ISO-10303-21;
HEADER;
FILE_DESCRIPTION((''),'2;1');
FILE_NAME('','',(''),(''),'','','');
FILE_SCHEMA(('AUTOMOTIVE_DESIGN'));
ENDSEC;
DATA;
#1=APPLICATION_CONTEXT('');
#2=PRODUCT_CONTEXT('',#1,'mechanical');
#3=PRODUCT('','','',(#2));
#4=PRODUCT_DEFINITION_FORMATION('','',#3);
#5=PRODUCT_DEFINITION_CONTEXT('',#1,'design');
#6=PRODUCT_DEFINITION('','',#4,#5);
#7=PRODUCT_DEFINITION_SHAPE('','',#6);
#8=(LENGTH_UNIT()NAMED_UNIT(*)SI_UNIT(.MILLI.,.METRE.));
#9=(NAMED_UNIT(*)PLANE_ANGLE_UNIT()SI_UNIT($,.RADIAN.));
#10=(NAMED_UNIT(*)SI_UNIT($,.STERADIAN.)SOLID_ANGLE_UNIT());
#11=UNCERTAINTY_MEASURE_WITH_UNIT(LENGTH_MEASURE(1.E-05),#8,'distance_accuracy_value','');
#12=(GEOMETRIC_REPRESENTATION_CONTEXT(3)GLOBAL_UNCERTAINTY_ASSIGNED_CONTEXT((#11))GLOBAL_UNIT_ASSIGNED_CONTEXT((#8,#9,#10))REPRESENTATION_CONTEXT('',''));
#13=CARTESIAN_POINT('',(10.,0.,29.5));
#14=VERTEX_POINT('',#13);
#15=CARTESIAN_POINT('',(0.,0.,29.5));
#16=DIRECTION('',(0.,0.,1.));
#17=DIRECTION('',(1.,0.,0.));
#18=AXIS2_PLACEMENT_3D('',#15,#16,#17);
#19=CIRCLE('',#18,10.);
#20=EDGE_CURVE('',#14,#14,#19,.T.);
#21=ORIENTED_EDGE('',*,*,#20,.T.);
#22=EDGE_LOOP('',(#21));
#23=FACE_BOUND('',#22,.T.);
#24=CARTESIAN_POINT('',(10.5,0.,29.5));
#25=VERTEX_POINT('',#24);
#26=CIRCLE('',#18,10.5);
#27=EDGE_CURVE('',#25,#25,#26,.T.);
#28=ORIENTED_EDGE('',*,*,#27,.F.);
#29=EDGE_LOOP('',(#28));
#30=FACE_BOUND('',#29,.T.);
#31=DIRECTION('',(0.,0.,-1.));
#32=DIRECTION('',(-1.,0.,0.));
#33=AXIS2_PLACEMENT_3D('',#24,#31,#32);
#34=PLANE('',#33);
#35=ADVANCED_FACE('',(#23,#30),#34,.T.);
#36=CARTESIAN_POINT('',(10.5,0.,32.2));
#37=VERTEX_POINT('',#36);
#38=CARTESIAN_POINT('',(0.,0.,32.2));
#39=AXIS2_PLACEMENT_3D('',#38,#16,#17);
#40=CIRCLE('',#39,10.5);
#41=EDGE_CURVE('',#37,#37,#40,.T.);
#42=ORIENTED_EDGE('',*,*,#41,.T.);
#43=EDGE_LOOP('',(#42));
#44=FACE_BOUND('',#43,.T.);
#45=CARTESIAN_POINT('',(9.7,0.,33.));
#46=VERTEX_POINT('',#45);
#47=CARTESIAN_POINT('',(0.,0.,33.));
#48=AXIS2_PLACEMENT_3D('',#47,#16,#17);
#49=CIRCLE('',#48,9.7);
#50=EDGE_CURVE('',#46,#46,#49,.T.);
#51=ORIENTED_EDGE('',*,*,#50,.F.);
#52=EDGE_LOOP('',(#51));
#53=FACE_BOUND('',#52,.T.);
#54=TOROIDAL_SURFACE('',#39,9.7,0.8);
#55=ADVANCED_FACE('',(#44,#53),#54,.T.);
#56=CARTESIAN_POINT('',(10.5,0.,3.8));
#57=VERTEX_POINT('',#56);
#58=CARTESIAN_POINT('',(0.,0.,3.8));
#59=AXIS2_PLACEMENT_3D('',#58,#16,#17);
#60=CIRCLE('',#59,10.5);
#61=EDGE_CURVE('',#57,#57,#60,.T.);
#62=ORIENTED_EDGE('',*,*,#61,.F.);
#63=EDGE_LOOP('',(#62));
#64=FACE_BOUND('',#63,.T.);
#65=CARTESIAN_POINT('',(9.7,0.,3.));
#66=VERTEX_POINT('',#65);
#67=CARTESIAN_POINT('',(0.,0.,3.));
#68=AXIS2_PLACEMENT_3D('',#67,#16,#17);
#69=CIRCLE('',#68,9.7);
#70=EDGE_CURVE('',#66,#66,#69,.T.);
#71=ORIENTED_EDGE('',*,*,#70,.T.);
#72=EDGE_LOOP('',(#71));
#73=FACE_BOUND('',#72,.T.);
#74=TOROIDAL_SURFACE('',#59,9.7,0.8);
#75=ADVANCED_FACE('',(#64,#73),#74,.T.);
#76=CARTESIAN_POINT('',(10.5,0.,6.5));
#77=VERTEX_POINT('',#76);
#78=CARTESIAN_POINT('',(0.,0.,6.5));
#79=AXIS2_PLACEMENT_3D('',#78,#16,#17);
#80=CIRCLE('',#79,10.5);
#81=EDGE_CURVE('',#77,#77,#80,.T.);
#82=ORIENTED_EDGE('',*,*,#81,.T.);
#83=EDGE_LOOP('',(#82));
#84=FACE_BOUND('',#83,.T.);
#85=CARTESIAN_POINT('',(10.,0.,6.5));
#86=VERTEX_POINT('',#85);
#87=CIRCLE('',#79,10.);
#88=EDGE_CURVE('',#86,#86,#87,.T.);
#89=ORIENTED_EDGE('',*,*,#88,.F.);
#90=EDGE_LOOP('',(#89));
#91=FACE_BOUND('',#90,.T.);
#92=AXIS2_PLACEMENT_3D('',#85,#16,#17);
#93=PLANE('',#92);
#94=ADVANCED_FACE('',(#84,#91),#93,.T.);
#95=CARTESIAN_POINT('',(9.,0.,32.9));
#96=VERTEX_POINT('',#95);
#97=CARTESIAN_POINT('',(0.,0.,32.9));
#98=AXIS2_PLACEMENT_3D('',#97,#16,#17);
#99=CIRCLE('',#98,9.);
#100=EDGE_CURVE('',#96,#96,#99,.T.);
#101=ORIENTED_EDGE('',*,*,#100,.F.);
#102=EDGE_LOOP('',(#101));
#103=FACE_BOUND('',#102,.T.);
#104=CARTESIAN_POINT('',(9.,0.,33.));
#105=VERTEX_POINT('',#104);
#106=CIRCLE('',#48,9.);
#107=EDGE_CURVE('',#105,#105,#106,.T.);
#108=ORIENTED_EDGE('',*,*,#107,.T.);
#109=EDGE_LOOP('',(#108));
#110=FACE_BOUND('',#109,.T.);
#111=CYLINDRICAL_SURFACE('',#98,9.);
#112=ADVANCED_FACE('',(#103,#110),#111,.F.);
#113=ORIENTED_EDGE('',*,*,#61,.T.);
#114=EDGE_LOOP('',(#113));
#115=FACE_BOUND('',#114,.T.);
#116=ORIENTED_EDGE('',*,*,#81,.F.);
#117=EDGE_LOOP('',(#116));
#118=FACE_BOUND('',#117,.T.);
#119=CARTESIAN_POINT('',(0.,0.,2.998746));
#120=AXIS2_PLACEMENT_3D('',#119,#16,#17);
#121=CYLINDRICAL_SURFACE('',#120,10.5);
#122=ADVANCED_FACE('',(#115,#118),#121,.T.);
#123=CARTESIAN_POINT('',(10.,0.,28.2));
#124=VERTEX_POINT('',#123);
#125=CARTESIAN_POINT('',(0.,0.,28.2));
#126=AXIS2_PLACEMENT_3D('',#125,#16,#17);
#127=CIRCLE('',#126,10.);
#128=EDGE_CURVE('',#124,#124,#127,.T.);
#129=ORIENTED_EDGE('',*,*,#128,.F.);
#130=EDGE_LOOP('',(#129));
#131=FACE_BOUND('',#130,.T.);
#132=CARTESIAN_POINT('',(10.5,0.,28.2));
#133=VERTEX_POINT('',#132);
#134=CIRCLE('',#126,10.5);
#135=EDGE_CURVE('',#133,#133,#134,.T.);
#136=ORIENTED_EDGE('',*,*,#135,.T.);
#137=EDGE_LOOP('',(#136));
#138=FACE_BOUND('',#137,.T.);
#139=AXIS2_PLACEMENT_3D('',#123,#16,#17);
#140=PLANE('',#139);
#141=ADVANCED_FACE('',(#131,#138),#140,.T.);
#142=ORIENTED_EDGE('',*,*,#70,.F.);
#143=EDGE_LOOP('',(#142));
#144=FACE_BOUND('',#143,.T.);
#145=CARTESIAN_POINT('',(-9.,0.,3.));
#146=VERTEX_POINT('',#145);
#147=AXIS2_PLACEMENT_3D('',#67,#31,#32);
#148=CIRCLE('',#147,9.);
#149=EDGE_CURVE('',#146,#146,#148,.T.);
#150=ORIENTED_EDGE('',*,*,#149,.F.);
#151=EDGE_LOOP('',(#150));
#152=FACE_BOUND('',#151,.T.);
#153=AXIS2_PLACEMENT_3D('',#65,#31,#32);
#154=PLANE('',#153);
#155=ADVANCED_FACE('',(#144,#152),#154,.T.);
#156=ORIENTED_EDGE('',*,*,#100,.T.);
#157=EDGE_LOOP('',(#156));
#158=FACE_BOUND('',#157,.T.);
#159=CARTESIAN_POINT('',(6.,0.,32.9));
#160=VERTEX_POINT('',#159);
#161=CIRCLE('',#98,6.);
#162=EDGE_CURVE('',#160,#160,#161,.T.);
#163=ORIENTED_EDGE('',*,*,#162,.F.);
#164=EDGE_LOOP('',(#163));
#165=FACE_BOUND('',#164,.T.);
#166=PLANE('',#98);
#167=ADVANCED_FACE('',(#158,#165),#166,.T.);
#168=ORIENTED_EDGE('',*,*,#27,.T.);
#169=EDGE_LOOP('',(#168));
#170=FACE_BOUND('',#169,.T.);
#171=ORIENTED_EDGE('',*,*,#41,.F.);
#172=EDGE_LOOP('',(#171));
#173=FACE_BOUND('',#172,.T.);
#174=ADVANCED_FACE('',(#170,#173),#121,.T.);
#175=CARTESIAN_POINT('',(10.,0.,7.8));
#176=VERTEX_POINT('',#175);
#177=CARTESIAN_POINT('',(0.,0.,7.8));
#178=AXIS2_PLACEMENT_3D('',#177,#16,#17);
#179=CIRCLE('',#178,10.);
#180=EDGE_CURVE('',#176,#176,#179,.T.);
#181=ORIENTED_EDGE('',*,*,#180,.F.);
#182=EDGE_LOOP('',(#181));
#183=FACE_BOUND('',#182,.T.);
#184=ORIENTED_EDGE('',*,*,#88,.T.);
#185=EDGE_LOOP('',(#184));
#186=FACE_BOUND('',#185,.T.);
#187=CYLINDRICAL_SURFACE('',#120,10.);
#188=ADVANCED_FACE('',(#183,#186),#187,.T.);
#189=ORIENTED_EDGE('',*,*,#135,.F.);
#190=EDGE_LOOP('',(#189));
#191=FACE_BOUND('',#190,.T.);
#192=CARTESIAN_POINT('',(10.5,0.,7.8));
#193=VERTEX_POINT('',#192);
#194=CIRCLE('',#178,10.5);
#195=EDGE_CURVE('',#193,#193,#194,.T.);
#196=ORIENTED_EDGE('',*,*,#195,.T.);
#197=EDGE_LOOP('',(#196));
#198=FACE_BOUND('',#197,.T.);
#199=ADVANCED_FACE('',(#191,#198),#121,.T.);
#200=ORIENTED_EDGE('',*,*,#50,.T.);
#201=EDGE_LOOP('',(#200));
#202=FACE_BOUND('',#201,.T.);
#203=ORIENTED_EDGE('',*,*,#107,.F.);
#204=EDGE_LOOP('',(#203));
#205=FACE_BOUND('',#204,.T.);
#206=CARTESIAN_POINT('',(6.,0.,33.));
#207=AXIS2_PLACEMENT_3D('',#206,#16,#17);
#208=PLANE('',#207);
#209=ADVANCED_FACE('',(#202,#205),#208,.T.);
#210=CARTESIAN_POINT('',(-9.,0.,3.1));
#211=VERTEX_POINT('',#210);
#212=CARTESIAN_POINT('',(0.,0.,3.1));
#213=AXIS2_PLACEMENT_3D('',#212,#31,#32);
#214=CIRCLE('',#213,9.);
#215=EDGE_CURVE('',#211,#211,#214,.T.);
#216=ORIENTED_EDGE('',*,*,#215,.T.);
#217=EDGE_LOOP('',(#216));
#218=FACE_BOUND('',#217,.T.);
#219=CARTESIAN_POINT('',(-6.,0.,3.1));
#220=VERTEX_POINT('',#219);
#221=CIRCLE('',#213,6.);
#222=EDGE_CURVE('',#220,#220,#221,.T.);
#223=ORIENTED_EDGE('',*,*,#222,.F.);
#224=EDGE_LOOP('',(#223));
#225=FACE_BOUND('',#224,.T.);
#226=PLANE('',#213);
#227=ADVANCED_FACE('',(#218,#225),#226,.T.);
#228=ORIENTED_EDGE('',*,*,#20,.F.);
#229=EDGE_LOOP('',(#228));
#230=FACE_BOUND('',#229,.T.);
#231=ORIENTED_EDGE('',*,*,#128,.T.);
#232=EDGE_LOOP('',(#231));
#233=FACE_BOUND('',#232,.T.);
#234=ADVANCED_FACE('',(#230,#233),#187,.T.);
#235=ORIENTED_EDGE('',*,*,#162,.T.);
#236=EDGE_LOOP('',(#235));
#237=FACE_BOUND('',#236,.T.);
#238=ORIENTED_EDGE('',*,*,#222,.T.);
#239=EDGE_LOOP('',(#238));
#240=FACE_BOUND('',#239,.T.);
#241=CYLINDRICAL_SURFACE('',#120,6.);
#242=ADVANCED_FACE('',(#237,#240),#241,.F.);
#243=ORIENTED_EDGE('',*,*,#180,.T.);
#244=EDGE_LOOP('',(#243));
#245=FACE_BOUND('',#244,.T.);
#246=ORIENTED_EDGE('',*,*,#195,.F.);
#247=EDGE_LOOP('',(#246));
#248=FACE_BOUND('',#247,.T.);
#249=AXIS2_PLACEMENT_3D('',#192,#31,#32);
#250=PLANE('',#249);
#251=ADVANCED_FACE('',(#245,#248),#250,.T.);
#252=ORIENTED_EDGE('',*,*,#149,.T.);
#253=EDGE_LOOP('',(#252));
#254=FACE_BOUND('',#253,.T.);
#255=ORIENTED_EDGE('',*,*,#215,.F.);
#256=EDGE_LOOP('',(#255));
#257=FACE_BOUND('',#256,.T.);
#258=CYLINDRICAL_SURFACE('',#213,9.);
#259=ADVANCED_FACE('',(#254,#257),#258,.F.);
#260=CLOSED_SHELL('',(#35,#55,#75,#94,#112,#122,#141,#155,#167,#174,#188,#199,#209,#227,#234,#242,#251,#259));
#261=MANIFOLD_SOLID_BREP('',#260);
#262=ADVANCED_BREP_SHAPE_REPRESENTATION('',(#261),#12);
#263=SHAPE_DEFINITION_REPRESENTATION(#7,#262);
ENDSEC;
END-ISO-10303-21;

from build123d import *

# Parameters (mm, degrees)
ESBO_O2_R             = 9
CORTE_EXTRUS_O1_DEPTH = 0.1
CORTE_EXTRUS_O2_START = -0.1
ESBO_O3_R             = 9
CORTE_EXTRUS_O2_DEPTH = 0.1


with BuildPart() as part:
    # Esboço1 → Revolução1 (revolve)
    with BuildSketch(Plane(origin=(0, 0, 0), x_dir=(1, 0, 0), z_dir=(0, 1, 0))):
        with BuildLine():
            Line((9.7, -3), (6, -3))
            Line((6, -3), (6, -33))
            Line((6, -33), (9.7, -33))
            ThreePointArc((9.7, -33), (10.265685425, -32.765685425), (10.5, -32.2))
            Line((10.5, -32.2), (10.5, -29.5))
            Line((10.5, -29.5), (10, -29.5))
            Line((10, -29.5), (10, -28.2))
            Line((10, -28.2), (10.5, -28.2))
            Line((10.5, -28.2), (10.5, -7.8))
            Line((10.5, -7.8), (10, -7.8))
            Line((10, -7.8), (10, -6.5))
            Line((10, -6.5), (10.5, -6.5))
            Line((10.5, -6.5), (10.5, -3.8))
            ThreePointArc((10.5, -3.8), (10.265685425, -3.234314575), (9.7, -3))
        make_face()
    revolve(axis=Axis((0, 0, 2.998746006), (0, 0, 1)))

    # Esboço2 → Corte-extrusão1 (cut)
    with BuildSketch(Plane.XY.offset(33)):
        Circle(ESBO_O2_R)
    extrude(amount=-CORTE_EXTRUS_O1_DEPTH, mode=Mode.SUBTRACT)

    # Esboço3 → Corte-extrusão2 (cut)
    with BuildSketch(Plane(origin=(0, 0, 3), x_dir=(-1, 0, 0), z_dir=(0, 0, -1)).offset(CORTE_EXTRUS_O2_START)):
        with Locations(Location((0, 0, 0), (0, 0, 180))):
            Circle(ESBO_O3_R)
    extrude(amount=CORTE_EXTRUS_O2_DEPTH, mode=Mode.SUBTRACT)


solid = part.part
